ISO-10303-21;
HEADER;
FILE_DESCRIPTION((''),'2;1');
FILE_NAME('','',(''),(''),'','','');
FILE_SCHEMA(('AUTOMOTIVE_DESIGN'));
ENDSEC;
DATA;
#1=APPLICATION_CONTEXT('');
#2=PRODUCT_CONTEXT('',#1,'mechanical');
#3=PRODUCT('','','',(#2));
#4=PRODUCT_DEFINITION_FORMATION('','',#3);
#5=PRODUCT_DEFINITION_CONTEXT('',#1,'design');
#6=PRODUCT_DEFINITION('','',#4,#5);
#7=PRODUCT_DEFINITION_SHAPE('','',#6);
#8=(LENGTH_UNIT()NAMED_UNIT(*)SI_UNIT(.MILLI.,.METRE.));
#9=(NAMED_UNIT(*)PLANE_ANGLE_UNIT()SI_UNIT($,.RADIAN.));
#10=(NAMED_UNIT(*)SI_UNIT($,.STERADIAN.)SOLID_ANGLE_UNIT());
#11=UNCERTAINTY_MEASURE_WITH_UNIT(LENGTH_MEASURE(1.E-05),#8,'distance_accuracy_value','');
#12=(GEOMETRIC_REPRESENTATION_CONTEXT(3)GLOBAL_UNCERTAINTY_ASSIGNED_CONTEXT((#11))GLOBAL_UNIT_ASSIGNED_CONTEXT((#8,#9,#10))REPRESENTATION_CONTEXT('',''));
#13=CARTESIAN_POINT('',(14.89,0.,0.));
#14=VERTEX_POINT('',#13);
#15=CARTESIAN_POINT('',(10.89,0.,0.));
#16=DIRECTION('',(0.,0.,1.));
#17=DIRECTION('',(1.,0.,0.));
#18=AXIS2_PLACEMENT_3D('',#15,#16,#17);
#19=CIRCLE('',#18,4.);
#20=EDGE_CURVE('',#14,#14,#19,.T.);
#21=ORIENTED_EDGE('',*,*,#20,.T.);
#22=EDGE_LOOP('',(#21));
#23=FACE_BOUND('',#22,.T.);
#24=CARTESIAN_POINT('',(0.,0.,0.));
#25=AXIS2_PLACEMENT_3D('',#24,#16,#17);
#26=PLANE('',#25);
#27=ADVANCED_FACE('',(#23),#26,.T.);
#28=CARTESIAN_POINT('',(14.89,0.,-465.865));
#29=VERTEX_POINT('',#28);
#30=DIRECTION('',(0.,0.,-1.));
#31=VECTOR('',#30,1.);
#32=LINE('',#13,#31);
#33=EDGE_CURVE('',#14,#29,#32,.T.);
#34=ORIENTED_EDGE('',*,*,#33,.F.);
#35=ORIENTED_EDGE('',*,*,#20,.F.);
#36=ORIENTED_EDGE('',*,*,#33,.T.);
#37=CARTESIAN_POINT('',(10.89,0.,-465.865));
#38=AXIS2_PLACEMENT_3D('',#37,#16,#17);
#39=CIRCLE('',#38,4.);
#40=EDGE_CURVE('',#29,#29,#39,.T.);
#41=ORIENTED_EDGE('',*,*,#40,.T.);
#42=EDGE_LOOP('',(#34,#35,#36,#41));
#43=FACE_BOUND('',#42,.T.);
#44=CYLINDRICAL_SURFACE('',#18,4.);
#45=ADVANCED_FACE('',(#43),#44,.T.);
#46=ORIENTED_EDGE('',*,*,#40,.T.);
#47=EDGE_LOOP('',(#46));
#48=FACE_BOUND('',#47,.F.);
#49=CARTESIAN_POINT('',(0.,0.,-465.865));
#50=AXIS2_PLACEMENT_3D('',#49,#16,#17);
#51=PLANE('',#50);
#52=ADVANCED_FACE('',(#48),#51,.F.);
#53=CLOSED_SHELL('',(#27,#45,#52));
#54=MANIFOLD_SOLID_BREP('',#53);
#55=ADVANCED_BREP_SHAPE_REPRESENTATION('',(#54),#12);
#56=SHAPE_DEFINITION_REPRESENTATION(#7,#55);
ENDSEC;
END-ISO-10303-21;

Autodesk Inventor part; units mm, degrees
ref_plane "YZ Plane" through (0, 0, 0) normal (1, 0, 0) x (0, 1, 0)
ref_plane "XZ Plane" through (0, 0, 0) normal (0, 1, 0) x (-1, 0, 0)
ref_plane "Work Plane1" through (0, 0, 0) normal (0, 0, 1) x (1, 0, 0)
sketch "Sketch1" plane through (0, 0, 0) normal (0, 0, 1) x (1, 0, 0)
  circle A0 centre (10.89, 0) radius 11 projected
  line L0 (26.765, 10.283) -> (14.065, 22.983) projected
  line L1 (-22.0025, 22.983) -> (14.065, 22.983) projected
  line L2 (-22.0025, 22.983) -> (-22.0025, -30.992) projected
  line L3 (26.765, -30.992) -> (-22.0025, -30.992) projected
  line L4 (26.765, 10.283) -> (26.765, -30.992) projected
  circle A1 centre (10.89, 0) radius 4
  point P0 (0, 0)
  dimension "d0" = 8
ref_plane "Work Plane2" through (-22.0025, -30.992, -465.865) normal (0, 0, -1) x (0, 1, 0)
extrude "Extrusion1" add sketch "Sketch1" against normal up to surface (465.865 mm away) contours A1
properties part number "Spinner Rail"
